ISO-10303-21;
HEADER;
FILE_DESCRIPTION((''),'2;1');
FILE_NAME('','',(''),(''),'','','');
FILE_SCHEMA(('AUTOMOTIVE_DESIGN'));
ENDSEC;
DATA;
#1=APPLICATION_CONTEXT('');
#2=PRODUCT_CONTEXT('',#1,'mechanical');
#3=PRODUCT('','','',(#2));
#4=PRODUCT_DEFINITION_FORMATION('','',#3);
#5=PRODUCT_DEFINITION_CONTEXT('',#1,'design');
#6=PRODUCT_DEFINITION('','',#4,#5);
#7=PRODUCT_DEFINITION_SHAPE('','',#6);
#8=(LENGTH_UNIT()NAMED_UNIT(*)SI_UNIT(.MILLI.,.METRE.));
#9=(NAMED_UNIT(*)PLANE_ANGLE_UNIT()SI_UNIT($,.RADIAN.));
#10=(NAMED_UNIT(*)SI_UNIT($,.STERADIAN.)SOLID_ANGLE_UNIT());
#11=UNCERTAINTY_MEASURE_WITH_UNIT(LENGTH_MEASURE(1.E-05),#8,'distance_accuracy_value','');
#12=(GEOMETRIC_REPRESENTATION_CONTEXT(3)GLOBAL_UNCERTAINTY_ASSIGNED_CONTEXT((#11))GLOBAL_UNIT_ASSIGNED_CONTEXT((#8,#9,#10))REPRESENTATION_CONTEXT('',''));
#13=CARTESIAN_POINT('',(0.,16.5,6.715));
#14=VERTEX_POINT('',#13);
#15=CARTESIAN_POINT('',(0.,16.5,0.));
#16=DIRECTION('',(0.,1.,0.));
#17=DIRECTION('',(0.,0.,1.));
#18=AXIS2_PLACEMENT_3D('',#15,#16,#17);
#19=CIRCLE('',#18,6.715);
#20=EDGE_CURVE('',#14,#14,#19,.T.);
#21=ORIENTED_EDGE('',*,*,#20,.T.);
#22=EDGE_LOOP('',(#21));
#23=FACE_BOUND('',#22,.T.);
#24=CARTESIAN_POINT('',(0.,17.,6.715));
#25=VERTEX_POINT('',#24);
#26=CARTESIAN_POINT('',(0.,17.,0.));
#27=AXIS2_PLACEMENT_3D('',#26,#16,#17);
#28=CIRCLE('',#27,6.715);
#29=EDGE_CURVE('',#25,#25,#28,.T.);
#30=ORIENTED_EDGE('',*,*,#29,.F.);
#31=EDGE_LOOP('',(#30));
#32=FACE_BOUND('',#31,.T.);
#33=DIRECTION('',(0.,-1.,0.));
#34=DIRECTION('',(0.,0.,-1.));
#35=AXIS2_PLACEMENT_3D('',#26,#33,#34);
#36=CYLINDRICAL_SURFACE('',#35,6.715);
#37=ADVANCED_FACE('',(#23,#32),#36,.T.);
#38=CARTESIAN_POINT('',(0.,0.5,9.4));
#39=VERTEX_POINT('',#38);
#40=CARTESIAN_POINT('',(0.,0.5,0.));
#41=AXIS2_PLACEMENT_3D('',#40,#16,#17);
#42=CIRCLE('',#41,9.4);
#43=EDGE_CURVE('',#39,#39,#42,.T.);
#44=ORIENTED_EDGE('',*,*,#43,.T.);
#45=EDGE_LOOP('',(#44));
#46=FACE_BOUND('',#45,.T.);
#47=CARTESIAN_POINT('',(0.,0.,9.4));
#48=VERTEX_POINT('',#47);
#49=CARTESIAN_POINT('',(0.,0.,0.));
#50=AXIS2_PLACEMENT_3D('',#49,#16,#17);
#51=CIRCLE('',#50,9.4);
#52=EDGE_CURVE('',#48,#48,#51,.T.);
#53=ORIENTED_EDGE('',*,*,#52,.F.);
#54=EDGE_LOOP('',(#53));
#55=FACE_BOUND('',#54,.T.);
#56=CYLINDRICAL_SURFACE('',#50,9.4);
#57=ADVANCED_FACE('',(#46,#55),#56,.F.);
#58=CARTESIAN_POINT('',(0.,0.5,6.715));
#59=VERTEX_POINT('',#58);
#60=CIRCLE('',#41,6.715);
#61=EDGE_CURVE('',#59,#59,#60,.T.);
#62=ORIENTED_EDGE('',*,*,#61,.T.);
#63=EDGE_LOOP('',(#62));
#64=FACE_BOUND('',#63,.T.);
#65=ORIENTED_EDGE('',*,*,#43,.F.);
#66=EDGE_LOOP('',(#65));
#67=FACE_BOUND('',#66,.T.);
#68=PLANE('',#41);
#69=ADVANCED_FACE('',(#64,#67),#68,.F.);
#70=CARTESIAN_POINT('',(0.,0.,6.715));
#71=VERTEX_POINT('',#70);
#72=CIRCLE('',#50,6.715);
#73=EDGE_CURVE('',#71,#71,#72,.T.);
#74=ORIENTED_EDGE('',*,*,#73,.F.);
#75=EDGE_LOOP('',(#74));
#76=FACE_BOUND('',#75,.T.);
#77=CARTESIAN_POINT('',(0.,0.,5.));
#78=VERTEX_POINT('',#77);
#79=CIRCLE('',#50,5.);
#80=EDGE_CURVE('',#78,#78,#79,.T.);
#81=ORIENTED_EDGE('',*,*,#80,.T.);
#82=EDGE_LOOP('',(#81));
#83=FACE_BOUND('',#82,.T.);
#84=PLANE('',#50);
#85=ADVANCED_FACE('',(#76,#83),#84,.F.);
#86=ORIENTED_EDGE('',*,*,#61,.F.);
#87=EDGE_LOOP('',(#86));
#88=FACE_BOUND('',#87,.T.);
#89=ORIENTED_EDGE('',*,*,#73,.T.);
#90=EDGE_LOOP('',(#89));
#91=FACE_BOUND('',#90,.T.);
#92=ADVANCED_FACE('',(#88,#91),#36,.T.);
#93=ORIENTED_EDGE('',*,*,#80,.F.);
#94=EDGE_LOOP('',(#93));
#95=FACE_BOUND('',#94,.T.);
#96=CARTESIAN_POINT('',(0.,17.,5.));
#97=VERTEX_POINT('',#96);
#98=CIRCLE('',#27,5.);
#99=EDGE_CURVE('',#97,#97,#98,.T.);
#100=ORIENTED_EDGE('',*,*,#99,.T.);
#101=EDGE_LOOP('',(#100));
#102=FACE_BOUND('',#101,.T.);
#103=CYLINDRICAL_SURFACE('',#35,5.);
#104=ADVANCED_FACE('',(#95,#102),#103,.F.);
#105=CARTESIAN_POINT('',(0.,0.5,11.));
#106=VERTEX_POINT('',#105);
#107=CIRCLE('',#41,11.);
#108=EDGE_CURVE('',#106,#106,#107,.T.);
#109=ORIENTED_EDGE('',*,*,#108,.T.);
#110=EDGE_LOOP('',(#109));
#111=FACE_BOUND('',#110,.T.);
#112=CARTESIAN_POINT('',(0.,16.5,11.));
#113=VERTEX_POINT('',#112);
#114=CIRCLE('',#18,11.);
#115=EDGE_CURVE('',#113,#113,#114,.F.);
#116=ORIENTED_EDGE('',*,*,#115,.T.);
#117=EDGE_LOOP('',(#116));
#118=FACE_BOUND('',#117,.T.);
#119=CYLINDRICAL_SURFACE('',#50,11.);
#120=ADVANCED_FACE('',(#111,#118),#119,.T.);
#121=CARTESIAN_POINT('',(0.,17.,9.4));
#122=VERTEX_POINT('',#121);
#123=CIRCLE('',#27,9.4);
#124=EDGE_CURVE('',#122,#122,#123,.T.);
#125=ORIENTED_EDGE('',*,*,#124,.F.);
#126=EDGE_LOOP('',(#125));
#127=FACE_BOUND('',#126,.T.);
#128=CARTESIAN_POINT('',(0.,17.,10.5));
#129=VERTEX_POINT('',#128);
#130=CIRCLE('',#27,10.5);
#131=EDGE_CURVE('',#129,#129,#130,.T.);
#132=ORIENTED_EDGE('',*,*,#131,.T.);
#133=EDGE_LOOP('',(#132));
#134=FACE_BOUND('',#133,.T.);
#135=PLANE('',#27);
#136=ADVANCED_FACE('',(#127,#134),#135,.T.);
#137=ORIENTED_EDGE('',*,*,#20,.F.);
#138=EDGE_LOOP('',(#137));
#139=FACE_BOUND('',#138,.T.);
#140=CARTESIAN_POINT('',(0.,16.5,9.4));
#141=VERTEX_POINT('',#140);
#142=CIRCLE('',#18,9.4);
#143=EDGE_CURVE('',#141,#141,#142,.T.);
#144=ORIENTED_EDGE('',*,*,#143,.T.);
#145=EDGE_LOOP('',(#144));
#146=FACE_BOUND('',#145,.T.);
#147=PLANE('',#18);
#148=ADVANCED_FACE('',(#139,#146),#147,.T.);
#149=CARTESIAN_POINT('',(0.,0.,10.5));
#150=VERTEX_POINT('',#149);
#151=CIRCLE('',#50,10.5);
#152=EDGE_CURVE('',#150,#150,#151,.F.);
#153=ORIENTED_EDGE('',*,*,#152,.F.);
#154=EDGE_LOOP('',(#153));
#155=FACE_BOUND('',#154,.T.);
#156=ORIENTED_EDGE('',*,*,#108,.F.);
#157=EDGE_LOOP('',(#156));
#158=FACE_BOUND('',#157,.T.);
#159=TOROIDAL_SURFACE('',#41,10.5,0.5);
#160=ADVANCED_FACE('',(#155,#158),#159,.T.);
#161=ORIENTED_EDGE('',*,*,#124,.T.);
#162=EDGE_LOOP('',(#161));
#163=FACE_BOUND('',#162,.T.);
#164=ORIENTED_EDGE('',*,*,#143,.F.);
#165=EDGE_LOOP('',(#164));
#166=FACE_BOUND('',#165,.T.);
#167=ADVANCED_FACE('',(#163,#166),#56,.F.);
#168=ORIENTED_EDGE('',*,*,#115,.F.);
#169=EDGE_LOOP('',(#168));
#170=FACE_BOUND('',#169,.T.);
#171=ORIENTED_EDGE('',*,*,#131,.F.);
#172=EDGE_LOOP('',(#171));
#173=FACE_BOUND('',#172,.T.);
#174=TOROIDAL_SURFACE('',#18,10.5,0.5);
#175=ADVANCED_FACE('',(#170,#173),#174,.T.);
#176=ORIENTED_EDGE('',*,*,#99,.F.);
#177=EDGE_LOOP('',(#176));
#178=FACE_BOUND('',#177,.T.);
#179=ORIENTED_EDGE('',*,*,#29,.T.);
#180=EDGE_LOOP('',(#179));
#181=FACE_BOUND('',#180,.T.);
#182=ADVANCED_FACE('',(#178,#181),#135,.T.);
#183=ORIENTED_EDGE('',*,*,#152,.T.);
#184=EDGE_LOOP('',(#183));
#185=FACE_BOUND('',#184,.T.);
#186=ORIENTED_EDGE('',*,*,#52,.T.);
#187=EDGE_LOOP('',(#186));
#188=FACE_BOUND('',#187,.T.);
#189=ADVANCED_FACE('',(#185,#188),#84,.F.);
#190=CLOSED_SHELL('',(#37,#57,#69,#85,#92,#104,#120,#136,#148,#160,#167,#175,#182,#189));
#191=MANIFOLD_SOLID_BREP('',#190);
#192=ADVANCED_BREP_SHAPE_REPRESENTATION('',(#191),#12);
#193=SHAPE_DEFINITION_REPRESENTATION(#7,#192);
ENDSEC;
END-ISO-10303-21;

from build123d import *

# Parameters (mm, degrees)
SKETCH1_R           = 6.715
SKETCH1_R_2         = 5
BOSS_EXTRUDE1_DEPTH = 17
SKETCH4_R           = 9.4
BOSS_EXTRUDE2_DEPTH = 8
SKETCH7_R           = 11
SKETCH7_R_2         = 9.4
BOSS_EXTRUDE3_DEPTH = 17
SKETCH8_R           = 5
CUT_EXTRUDE1_DEPTH  = 17
FILLET1_R           = 0.5


with BuildPart() as part:
    # Sketch1 → Boss-Extrude1 (new body)
    with BuildSketch(Plane(origin=(0, 0, 0), x_dir=(1, 0, 0), z_dir=(0, 1, 0))):
        with Locations(Location((0, 0, 0), (0, 0, 270))):
            Circle(SKETCH1_R)
        with Locations(Location((0, 0, 0), (0, 0, 270))):
            Circle(SKETCH1_R_2, mode=Mode.SUBTRACT)
    extrude(amount=BOSS_EXTRUDE1_DEPTH)

    # Sketch4 → Boss-Extrude2 (add, symmetric)
    with BuildSketch(Plane(origin=(0, 8.5, 0), x_dir=(1, 0, 0), z_dir=(0, 1, 0))):
        with Locations(Location((0, 0, 0), (0, 0, 270))):
            Circle(SKETCH4_R)
    extrude(amount=BOSS_EXTRUDE2_DEPTH, both=True)

    # Sketch7 → Boss-Extrude3 (add)
    with BuildSketch(Plane(origin=(0, 17, 0), x_dir=(1, 0, 0), z_dir=(0, 1, 0))):
        with Locations(Location((0, 0, 0), (0, 0, 270))):
            Circle(SKETCH7_R)
        with Locations(Location((0, 0, 0), (0, 0, 270))):
            Circle(SKETCH7_R_2, mode=Mode.SUBTRACT)
    extrude(amount=-BOSS_EXTRUDE3_DEPTH)

    # Sketch8 → Cut-Extrude1 (cut)
    with BuildSketch(Plane.XZ.offset(-0.5)):
        with Locations(Location((0, 0, 0), (0, 0, 90))):
            Circle(SKETCH8_R)
    extrude(amount=-CUT_EXTRUDE1_DEPTH, mode=Mode.SUBTRACT)

    # Fillet1
    fillet1_edges = [part.edges().sort_by_distance(p)[0] for p in [
        (0, 0, -11),
        (0, 17, -11),
    ]]
    fillet(fillet1_edges, radius=FILLET1_R)


solid = part.part
